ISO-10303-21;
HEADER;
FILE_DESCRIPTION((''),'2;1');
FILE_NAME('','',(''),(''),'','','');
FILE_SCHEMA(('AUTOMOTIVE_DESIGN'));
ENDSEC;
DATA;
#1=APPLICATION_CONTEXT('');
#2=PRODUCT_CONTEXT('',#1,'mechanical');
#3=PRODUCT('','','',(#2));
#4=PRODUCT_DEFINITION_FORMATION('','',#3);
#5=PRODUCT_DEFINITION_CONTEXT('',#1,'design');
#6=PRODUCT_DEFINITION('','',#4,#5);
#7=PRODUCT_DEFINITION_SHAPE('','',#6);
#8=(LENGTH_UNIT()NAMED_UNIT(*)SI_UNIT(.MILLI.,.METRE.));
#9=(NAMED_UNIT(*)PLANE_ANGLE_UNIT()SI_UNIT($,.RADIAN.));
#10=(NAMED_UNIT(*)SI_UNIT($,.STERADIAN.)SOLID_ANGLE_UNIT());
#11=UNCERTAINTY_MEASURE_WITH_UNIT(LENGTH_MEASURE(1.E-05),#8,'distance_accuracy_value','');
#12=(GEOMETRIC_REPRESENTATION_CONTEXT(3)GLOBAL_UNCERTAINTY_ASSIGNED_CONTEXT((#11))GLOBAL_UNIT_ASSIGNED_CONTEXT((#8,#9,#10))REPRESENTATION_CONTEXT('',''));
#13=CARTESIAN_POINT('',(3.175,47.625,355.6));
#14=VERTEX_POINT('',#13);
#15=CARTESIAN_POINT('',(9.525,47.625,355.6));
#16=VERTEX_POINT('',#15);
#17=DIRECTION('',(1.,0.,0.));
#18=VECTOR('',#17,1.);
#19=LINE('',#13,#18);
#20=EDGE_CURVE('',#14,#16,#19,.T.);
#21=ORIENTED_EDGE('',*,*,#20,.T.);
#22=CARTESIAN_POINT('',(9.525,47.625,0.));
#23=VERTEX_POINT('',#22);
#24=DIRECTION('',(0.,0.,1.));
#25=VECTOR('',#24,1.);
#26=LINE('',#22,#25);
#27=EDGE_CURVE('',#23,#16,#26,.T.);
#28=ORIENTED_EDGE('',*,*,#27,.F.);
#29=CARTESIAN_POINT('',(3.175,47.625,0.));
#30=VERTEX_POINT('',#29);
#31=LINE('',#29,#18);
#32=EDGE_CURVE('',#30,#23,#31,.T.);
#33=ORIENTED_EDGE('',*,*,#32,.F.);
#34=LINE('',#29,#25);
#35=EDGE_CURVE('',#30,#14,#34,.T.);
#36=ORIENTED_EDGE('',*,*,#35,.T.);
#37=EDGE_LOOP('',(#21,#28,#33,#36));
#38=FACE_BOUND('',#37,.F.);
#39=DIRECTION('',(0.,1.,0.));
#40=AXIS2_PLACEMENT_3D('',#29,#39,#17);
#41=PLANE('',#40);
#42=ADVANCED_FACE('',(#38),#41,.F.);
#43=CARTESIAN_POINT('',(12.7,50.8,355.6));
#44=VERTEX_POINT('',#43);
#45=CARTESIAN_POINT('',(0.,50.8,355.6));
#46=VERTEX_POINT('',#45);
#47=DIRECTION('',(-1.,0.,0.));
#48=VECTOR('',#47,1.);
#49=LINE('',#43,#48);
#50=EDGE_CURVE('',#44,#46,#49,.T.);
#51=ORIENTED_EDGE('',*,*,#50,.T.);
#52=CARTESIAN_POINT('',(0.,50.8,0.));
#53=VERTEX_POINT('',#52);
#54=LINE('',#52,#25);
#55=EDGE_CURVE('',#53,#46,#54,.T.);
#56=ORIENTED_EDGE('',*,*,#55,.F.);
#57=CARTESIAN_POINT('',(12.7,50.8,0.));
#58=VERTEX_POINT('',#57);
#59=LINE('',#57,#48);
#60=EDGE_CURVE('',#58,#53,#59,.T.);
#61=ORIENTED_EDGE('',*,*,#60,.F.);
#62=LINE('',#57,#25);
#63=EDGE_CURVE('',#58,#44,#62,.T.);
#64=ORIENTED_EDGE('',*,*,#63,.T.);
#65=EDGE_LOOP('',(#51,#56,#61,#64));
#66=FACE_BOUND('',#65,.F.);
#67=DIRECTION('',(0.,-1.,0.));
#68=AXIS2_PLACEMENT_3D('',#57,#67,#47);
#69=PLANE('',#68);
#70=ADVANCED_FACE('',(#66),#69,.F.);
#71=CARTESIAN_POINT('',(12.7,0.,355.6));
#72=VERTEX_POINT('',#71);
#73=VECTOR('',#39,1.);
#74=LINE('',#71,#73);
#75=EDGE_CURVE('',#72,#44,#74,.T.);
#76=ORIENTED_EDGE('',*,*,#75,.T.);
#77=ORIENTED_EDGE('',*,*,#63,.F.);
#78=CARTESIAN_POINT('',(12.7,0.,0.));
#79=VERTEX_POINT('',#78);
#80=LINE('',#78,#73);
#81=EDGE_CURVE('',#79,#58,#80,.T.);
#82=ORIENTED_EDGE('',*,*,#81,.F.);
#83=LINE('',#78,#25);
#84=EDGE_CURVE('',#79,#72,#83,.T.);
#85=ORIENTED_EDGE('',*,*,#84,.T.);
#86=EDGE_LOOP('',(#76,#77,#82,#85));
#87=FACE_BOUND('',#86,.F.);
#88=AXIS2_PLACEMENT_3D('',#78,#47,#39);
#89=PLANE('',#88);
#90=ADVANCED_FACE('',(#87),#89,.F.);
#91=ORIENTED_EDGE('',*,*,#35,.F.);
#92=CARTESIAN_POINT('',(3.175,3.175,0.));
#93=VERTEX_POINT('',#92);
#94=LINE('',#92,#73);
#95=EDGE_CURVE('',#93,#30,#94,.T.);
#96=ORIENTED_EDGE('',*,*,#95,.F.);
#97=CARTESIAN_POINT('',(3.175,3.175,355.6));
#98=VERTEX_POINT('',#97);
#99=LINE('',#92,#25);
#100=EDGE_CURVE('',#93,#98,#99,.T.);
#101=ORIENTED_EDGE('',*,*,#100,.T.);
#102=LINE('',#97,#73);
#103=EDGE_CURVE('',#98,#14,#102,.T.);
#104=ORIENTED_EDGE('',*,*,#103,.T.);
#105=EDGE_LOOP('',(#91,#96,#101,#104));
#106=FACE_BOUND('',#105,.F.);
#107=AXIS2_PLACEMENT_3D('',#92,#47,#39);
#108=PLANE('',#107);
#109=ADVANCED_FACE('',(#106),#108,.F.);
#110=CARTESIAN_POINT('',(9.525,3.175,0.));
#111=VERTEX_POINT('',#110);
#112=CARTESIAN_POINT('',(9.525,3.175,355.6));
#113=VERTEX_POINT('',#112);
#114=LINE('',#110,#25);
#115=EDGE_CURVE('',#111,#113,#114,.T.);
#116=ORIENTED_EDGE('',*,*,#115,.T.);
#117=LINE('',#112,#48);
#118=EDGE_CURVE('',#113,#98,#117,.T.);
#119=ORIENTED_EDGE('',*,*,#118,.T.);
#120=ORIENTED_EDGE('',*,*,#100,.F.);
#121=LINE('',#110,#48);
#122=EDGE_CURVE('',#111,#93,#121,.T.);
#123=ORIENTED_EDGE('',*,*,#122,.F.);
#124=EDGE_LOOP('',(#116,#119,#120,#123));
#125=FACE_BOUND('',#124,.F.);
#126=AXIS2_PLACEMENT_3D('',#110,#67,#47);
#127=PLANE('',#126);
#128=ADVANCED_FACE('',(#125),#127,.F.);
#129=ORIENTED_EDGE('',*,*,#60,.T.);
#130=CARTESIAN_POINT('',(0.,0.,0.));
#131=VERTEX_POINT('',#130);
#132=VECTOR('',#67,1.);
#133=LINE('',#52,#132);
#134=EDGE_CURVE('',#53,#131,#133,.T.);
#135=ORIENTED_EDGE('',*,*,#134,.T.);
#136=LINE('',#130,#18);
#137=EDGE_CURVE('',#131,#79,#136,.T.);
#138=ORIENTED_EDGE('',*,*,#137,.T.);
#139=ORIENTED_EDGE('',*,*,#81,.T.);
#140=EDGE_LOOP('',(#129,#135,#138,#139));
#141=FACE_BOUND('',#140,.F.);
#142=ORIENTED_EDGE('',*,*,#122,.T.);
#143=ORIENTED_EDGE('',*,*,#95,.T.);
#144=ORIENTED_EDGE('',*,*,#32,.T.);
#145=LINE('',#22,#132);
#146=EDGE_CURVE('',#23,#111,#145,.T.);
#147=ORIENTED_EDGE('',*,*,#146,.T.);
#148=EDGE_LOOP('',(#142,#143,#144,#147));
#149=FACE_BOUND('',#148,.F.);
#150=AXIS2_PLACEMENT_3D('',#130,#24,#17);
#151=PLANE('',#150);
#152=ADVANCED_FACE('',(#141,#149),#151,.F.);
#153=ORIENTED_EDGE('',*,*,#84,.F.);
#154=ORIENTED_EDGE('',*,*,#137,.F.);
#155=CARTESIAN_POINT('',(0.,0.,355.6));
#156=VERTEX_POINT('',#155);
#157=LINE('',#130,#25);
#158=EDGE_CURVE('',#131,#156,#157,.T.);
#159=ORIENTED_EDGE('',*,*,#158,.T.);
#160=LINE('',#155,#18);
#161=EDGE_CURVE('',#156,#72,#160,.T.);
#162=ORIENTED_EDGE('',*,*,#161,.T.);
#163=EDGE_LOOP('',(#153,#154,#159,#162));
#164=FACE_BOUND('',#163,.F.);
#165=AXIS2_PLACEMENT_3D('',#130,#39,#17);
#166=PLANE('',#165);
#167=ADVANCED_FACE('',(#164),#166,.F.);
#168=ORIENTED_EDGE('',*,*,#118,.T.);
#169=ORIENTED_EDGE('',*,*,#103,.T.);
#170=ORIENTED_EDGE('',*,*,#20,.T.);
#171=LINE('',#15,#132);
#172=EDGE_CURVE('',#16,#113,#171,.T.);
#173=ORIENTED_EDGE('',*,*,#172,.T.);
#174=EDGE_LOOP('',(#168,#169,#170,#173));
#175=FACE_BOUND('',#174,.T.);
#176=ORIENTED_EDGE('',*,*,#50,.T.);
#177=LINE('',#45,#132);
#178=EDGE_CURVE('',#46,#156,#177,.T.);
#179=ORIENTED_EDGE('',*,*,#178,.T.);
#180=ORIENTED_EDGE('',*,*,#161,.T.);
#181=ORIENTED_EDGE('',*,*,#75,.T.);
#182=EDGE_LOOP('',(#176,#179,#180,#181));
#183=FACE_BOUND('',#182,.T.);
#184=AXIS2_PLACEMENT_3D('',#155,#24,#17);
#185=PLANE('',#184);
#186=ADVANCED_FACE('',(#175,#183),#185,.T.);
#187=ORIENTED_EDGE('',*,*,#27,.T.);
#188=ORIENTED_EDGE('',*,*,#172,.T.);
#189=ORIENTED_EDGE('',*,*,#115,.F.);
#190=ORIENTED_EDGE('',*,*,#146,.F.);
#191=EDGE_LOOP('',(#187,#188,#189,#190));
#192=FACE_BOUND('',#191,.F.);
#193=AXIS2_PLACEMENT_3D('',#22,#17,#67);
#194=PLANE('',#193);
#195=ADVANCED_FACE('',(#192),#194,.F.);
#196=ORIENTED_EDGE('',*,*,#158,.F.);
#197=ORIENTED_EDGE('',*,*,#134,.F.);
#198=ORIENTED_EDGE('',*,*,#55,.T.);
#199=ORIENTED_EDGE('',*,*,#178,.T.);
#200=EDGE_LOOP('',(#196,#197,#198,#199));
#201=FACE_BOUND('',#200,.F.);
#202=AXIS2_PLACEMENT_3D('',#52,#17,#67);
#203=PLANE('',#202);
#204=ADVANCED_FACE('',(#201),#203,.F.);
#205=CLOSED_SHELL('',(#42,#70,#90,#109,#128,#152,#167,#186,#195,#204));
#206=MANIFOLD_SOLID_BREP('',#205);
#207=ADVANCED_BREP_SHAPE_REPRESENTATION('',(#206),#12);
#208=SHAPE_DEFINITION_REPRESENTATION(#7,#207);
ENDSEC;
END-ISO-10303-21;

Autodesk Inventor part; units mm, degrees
ref_plane "YZ Plane" through (0, 0, 0) normal (1, 0, 0) x (0, 1, 0)
ref_plane "XZ Plane" through (0, 0, 0) normal (0, 1, 0) x (-1, 0, 0)
ref_plane "XY Plane" through (0, 0, 0) normal (0, 0, 1) x (1, 0, 0)
sketch "Sketch1" plane through (0, 0, 0) normal (0, 0, 1) x (1, 0, 0)
  line L0 (0, 0) -> (12.7, 0)
  line L1 (12.7, 0) -> (12.7, 50.8)
  line L2 (12.7, 50.8) -> (0, 50.8)
  line L3 (0, 50.8) -> (0, 0)
  line L4 (9.525, 3.175) -> (3.175, 3.175)
  line L5 (3.175, 3.175) -> (3.175, 47.625)
  line L6 (3.175, 47.625) -> (9.525, 47.625)
  line L7 (9.525, 47.625) -> (9.525, 3.175)
  dimension "d0" = 12.7
  dimension "d1" = 50.8
  dimension "d2" = 3.175
extrude "Extrusion1" add sketch "Sketch1" along normal blind 355.6
properties part number "C side"
